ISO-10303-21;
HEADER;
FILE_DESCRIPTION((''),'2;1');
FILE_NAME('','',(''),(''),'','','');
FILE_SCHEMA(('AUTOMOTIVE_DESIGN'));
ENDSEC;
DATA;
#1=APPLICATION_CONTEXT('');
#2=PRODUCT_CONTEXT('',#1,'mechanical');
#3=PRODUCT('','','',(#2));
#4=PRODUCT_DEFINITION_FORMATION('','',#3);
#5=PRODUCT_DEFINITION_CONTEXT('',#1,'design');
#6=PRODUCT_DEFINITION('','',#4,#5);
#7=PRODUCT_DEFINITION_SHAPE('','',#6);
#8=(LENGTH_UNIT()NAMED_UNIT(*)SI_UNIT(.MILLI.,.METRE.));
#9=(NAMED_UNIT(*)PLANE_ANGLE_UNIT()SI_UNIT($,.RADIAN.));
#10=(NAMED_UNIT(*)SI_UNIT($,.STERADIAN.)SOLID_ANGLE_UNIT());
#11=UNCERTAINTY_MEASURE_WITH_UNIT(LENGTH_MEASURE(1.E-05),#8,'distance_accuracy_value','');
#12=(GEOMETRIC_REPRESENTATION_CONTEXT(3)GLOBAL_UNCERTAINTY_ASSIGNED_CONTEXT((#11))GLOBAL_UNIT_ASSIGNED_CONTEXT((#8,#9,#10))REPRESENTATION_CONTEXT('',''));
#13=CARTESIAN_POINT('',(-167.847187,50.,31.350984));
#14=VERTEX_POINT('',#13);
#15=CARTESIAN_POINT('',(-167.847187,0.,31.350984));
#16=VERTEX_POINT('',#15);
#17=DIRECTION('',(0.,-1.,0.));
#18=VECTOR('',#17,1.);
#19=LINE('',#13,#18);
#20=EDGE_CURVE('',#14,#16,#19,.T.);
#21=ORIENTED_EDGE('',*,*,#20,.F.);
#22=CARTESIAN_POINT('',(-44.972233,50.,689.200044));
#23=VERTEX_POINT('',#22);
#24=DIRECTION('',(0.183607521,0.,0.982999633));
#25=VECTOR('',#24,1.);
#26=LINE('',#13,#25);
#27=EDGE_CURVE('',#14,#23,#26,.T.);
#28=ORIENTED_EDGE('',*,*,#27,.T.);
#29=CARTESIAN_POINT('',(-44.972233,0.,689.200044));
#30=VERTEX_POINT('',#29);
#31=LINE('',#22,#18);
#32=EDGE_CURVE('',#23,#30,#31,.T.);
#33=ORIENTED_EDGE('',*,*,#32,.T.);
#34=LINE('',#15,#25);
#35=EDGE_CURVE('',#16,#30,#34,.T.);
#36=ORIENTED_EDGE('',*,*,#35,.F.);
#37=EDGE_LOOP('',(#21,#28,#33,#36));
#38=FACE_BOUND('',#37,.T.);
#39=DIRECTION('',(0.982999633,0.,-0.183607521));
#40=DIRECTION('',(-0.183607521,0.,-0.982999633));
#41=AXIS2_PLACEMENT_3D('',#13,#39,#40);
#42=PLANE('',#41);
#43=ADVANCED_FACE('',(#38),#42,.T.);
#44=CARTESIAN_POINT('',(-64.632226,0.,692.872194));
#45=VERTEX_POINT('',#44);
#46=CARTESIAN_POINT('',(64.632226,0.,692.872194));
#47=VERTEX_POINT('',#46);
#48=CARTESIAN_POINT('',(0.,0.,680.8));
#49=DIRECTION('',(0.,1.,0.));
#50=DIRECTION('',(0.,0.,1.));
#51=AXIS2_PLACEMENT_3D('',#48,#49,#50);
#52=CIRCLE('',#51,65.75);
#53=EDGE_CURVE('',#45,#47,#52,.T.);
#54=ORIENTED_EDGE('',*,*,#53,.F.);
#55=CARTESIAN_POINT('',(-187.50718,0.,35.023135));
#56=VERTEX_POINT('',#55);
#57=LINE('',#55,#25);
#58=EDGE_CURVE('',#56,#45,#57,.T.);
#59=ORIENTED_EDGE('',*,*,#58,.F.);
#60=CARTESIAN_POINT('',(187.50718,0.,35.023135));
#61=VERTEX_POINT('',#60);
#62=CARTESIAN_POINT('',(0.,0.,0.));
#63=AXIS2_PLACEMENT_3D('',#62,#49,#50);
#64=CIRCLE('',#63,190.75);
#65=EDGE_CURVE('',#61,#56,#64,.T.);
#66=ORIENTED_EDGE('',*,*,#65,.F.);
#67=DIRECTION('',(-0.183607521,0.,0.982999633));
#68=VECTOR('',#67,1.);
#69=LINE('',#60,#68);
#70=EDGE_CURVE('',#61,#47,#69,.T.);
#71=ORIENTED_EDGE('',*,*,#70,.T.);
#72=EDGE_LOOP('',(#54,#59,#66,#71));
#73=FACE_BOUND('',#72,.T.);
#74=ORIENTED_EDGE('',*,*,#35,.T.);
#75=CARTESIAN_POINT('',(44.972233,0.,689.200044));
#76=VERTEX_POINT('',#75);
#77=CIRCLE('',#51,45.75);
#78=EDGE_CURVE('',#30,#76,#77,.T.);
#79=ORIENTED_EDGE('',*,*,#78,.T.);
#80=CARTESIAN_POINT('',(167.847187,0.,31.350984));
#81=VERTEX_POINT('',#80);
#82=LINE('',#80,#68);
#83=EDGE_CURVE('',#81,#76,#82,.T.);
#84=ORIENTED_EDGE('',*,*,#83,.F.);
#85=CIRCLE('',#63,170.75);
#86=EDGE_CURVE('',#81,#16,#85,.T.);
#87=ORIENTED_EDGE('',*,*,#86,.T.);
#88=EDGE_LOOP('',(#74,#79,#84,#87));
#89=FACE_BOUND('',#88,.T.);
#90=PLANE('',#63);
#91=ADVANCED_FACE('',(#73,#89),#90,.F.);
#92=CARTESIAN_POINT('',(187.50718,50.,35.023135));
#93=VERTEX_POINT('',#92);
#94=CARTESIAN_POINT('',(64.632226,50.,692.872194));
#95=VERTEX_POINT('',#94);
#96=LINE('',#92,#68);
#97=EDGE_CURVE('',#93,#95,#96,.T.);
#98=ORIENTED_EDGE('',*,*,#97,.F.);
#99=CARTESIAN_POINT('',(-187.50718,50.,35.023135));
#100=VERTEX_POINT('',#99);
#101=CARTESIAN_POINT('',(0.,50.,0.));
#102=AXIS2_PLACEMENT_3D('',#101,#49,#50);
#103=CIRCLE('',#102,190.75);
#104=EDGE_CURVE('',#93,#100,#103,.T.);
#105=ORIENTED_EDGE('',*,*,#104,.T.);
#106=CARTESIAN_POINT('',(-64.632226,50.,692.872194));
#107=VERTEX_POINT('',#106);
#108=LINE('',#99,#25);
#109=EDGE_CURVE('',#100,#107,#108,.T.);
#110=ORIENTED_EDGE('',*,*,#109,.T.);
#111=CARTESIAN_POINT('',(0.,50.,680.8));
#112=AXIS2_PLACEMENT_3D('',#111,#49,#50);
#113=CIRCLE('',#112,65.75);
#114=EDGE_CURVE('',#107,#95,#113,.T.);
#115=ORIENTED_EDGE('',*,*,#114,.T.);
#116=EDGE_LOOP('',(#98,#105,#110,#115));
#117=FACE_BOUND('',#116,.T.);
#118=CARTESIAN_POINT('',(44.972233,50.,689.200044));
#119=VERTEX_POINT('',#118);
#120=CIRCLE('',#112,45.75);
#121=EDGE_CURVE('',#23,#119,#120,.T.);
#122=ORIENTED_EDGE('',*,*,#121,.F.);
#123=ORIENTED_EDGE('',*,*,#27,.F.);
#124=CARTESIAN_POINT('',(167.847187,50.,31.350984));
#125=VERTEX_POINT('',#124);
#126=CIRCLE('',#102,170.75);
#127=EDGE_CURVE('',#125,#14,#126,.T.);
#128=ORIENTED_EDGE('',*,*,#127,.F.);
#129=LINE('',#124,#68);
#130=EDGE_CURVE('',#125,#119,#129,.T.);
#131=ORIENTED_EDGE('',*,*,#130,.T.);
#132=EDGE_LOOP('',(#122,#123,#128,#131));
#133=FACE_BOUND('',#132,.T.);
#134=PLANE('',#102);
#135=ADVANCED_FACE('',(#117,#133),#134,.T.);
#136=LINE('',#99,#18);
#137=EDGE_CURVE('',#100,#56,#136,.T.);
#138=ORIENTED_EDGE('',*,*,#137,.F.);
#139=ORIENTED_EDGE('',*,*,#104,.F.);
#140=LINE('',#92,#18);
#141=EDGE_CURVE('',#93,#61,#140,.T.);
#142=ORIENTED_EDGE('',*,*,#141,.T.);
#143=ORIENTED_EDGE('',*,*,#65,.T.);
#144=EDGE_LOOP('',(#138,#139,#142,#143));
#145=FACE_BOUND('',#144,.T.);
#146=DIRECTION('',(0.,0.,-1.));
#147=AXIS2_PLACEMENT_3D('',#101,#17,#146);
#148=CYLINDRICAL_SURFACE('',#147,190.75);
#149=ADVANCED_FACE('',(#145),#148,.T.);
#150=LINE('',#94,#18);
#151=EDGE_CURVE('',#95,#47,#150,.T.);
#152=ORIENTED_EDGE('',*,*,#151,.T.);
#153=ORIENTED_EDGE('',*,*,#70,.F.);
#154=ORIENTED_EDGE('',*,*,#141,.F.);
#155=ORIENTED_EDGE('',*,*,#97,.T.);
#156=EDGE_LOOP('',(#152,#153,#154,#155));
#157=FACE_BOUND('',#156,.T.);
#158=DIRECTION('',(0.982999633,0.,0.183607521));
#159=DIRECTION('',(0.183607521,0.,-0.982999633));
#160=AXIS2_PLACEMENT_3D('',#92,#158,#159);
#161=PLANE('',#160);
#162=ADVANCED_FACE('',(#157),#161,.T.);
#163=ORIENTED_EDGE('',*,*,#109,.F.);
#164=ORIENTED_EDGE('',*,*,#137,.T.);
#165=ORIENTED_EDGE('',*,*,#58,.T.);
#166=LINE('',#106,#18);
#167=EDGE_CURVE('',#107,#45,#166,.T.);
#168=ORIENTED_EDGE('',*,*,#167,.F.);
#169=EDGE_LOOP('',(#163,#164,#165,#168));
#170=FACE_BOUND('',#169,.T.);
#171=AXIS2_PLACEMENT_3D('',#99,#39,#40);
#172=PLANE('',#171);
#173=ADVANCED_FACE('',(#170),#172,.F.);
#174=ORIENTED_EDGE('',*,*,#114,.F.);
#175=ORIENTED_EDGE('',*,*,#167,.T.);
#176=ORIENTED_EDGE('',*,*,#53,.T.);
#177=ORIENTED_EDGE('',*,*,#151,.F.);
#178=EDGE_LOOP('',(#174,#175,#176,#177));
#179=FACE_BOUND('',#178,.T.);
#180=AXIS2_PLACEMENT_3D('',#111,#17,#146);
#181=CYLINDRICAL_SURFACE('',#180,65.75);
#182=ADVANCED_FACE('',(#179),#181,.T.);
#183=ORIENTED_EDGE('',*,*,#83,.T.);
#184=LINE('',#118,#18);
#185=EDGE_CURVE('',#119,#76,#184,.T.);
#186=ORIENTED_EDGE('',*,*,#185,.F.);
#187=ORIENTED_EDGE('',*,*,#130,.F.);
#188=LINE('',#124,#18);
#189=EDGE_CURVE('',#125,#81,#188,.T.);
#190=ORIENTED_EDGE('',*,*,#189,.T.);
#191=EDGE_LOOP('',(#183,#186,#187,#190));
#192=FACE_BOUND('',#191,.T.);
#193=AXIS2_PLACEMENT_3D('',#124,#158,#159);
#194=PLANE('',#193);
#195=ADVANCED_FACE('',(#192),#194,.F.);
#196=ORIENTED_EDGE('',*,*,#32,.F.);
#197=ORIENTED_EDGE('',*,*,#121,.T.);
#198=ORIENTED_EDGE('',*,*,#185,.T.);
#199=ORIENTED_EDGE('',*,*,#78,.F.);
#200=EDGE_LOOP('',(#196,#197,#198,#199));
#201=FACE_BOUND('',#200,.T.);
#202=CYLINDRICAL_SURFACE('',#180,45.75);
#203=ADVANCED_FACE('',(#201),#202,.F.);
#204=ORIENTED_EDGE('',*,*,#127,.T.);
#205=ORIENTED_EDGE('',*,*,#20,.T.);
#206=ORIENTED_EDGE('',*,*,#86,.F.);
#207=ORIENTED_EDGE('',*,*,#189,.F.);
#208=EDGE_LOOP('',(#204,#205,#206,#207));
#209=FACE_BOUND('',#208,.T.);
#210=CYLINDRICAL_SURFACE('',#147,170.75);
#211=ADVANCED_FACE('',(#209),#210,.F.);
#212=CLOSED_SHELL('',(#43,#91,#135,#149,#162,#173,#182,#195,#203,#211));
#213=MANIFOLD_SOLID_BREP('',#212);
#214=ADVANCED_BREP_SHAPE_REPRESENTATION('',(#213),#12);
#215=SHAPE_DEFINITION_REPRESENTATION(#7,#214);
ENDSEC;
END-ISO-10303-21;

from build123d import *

# Parameters (mm, degrees)
BOSS_EXTRUDE1_DEPTH = 50


with BuildPart() as part:
    # Sketch1 → Boss-Extrude1 (new body)
    with BuildSketch(Plane(origin=(0, 0, 0), x_dir=(1, 0, 0), z_dir=(0, 1, 0))):
        with BuildLine():
            Line((-187.507179986, -35.023134548), (-64.632225867, -692.872194477))
            ThreePointArc((-64.632225867, -692.872194477), (0, -746.55), (64.632225867, -692.872194477))
            Line((64.632225867, -692.872194477), (187.507179986, -35.023134548))
            ThreePointArc((187.507179986, -35.023134548), (0, 190.75), (-187.507179986, -35.023134548))
        make_face()
        with BuildLine():
            ThreePointArc((-44.972233208, -689.200044066), (0, -726.55), (44.972233208, -689.200044066))
            Line((44.972233208, -689.200044066), (167.847187327, -31.350984136))
            ThreePointArc((167.847187327, -31.350984136), (0, 170.75), (-167.847187327, -31.350984136))
            Line((-167.847187327, -31.350984136), (-44.972233208, -689.200044066))
        make_face(mode=Mode.SUBTRACT)
    extrude(amount=BOSS_EXTRUDE1_DEPTH)


solid = part.part
